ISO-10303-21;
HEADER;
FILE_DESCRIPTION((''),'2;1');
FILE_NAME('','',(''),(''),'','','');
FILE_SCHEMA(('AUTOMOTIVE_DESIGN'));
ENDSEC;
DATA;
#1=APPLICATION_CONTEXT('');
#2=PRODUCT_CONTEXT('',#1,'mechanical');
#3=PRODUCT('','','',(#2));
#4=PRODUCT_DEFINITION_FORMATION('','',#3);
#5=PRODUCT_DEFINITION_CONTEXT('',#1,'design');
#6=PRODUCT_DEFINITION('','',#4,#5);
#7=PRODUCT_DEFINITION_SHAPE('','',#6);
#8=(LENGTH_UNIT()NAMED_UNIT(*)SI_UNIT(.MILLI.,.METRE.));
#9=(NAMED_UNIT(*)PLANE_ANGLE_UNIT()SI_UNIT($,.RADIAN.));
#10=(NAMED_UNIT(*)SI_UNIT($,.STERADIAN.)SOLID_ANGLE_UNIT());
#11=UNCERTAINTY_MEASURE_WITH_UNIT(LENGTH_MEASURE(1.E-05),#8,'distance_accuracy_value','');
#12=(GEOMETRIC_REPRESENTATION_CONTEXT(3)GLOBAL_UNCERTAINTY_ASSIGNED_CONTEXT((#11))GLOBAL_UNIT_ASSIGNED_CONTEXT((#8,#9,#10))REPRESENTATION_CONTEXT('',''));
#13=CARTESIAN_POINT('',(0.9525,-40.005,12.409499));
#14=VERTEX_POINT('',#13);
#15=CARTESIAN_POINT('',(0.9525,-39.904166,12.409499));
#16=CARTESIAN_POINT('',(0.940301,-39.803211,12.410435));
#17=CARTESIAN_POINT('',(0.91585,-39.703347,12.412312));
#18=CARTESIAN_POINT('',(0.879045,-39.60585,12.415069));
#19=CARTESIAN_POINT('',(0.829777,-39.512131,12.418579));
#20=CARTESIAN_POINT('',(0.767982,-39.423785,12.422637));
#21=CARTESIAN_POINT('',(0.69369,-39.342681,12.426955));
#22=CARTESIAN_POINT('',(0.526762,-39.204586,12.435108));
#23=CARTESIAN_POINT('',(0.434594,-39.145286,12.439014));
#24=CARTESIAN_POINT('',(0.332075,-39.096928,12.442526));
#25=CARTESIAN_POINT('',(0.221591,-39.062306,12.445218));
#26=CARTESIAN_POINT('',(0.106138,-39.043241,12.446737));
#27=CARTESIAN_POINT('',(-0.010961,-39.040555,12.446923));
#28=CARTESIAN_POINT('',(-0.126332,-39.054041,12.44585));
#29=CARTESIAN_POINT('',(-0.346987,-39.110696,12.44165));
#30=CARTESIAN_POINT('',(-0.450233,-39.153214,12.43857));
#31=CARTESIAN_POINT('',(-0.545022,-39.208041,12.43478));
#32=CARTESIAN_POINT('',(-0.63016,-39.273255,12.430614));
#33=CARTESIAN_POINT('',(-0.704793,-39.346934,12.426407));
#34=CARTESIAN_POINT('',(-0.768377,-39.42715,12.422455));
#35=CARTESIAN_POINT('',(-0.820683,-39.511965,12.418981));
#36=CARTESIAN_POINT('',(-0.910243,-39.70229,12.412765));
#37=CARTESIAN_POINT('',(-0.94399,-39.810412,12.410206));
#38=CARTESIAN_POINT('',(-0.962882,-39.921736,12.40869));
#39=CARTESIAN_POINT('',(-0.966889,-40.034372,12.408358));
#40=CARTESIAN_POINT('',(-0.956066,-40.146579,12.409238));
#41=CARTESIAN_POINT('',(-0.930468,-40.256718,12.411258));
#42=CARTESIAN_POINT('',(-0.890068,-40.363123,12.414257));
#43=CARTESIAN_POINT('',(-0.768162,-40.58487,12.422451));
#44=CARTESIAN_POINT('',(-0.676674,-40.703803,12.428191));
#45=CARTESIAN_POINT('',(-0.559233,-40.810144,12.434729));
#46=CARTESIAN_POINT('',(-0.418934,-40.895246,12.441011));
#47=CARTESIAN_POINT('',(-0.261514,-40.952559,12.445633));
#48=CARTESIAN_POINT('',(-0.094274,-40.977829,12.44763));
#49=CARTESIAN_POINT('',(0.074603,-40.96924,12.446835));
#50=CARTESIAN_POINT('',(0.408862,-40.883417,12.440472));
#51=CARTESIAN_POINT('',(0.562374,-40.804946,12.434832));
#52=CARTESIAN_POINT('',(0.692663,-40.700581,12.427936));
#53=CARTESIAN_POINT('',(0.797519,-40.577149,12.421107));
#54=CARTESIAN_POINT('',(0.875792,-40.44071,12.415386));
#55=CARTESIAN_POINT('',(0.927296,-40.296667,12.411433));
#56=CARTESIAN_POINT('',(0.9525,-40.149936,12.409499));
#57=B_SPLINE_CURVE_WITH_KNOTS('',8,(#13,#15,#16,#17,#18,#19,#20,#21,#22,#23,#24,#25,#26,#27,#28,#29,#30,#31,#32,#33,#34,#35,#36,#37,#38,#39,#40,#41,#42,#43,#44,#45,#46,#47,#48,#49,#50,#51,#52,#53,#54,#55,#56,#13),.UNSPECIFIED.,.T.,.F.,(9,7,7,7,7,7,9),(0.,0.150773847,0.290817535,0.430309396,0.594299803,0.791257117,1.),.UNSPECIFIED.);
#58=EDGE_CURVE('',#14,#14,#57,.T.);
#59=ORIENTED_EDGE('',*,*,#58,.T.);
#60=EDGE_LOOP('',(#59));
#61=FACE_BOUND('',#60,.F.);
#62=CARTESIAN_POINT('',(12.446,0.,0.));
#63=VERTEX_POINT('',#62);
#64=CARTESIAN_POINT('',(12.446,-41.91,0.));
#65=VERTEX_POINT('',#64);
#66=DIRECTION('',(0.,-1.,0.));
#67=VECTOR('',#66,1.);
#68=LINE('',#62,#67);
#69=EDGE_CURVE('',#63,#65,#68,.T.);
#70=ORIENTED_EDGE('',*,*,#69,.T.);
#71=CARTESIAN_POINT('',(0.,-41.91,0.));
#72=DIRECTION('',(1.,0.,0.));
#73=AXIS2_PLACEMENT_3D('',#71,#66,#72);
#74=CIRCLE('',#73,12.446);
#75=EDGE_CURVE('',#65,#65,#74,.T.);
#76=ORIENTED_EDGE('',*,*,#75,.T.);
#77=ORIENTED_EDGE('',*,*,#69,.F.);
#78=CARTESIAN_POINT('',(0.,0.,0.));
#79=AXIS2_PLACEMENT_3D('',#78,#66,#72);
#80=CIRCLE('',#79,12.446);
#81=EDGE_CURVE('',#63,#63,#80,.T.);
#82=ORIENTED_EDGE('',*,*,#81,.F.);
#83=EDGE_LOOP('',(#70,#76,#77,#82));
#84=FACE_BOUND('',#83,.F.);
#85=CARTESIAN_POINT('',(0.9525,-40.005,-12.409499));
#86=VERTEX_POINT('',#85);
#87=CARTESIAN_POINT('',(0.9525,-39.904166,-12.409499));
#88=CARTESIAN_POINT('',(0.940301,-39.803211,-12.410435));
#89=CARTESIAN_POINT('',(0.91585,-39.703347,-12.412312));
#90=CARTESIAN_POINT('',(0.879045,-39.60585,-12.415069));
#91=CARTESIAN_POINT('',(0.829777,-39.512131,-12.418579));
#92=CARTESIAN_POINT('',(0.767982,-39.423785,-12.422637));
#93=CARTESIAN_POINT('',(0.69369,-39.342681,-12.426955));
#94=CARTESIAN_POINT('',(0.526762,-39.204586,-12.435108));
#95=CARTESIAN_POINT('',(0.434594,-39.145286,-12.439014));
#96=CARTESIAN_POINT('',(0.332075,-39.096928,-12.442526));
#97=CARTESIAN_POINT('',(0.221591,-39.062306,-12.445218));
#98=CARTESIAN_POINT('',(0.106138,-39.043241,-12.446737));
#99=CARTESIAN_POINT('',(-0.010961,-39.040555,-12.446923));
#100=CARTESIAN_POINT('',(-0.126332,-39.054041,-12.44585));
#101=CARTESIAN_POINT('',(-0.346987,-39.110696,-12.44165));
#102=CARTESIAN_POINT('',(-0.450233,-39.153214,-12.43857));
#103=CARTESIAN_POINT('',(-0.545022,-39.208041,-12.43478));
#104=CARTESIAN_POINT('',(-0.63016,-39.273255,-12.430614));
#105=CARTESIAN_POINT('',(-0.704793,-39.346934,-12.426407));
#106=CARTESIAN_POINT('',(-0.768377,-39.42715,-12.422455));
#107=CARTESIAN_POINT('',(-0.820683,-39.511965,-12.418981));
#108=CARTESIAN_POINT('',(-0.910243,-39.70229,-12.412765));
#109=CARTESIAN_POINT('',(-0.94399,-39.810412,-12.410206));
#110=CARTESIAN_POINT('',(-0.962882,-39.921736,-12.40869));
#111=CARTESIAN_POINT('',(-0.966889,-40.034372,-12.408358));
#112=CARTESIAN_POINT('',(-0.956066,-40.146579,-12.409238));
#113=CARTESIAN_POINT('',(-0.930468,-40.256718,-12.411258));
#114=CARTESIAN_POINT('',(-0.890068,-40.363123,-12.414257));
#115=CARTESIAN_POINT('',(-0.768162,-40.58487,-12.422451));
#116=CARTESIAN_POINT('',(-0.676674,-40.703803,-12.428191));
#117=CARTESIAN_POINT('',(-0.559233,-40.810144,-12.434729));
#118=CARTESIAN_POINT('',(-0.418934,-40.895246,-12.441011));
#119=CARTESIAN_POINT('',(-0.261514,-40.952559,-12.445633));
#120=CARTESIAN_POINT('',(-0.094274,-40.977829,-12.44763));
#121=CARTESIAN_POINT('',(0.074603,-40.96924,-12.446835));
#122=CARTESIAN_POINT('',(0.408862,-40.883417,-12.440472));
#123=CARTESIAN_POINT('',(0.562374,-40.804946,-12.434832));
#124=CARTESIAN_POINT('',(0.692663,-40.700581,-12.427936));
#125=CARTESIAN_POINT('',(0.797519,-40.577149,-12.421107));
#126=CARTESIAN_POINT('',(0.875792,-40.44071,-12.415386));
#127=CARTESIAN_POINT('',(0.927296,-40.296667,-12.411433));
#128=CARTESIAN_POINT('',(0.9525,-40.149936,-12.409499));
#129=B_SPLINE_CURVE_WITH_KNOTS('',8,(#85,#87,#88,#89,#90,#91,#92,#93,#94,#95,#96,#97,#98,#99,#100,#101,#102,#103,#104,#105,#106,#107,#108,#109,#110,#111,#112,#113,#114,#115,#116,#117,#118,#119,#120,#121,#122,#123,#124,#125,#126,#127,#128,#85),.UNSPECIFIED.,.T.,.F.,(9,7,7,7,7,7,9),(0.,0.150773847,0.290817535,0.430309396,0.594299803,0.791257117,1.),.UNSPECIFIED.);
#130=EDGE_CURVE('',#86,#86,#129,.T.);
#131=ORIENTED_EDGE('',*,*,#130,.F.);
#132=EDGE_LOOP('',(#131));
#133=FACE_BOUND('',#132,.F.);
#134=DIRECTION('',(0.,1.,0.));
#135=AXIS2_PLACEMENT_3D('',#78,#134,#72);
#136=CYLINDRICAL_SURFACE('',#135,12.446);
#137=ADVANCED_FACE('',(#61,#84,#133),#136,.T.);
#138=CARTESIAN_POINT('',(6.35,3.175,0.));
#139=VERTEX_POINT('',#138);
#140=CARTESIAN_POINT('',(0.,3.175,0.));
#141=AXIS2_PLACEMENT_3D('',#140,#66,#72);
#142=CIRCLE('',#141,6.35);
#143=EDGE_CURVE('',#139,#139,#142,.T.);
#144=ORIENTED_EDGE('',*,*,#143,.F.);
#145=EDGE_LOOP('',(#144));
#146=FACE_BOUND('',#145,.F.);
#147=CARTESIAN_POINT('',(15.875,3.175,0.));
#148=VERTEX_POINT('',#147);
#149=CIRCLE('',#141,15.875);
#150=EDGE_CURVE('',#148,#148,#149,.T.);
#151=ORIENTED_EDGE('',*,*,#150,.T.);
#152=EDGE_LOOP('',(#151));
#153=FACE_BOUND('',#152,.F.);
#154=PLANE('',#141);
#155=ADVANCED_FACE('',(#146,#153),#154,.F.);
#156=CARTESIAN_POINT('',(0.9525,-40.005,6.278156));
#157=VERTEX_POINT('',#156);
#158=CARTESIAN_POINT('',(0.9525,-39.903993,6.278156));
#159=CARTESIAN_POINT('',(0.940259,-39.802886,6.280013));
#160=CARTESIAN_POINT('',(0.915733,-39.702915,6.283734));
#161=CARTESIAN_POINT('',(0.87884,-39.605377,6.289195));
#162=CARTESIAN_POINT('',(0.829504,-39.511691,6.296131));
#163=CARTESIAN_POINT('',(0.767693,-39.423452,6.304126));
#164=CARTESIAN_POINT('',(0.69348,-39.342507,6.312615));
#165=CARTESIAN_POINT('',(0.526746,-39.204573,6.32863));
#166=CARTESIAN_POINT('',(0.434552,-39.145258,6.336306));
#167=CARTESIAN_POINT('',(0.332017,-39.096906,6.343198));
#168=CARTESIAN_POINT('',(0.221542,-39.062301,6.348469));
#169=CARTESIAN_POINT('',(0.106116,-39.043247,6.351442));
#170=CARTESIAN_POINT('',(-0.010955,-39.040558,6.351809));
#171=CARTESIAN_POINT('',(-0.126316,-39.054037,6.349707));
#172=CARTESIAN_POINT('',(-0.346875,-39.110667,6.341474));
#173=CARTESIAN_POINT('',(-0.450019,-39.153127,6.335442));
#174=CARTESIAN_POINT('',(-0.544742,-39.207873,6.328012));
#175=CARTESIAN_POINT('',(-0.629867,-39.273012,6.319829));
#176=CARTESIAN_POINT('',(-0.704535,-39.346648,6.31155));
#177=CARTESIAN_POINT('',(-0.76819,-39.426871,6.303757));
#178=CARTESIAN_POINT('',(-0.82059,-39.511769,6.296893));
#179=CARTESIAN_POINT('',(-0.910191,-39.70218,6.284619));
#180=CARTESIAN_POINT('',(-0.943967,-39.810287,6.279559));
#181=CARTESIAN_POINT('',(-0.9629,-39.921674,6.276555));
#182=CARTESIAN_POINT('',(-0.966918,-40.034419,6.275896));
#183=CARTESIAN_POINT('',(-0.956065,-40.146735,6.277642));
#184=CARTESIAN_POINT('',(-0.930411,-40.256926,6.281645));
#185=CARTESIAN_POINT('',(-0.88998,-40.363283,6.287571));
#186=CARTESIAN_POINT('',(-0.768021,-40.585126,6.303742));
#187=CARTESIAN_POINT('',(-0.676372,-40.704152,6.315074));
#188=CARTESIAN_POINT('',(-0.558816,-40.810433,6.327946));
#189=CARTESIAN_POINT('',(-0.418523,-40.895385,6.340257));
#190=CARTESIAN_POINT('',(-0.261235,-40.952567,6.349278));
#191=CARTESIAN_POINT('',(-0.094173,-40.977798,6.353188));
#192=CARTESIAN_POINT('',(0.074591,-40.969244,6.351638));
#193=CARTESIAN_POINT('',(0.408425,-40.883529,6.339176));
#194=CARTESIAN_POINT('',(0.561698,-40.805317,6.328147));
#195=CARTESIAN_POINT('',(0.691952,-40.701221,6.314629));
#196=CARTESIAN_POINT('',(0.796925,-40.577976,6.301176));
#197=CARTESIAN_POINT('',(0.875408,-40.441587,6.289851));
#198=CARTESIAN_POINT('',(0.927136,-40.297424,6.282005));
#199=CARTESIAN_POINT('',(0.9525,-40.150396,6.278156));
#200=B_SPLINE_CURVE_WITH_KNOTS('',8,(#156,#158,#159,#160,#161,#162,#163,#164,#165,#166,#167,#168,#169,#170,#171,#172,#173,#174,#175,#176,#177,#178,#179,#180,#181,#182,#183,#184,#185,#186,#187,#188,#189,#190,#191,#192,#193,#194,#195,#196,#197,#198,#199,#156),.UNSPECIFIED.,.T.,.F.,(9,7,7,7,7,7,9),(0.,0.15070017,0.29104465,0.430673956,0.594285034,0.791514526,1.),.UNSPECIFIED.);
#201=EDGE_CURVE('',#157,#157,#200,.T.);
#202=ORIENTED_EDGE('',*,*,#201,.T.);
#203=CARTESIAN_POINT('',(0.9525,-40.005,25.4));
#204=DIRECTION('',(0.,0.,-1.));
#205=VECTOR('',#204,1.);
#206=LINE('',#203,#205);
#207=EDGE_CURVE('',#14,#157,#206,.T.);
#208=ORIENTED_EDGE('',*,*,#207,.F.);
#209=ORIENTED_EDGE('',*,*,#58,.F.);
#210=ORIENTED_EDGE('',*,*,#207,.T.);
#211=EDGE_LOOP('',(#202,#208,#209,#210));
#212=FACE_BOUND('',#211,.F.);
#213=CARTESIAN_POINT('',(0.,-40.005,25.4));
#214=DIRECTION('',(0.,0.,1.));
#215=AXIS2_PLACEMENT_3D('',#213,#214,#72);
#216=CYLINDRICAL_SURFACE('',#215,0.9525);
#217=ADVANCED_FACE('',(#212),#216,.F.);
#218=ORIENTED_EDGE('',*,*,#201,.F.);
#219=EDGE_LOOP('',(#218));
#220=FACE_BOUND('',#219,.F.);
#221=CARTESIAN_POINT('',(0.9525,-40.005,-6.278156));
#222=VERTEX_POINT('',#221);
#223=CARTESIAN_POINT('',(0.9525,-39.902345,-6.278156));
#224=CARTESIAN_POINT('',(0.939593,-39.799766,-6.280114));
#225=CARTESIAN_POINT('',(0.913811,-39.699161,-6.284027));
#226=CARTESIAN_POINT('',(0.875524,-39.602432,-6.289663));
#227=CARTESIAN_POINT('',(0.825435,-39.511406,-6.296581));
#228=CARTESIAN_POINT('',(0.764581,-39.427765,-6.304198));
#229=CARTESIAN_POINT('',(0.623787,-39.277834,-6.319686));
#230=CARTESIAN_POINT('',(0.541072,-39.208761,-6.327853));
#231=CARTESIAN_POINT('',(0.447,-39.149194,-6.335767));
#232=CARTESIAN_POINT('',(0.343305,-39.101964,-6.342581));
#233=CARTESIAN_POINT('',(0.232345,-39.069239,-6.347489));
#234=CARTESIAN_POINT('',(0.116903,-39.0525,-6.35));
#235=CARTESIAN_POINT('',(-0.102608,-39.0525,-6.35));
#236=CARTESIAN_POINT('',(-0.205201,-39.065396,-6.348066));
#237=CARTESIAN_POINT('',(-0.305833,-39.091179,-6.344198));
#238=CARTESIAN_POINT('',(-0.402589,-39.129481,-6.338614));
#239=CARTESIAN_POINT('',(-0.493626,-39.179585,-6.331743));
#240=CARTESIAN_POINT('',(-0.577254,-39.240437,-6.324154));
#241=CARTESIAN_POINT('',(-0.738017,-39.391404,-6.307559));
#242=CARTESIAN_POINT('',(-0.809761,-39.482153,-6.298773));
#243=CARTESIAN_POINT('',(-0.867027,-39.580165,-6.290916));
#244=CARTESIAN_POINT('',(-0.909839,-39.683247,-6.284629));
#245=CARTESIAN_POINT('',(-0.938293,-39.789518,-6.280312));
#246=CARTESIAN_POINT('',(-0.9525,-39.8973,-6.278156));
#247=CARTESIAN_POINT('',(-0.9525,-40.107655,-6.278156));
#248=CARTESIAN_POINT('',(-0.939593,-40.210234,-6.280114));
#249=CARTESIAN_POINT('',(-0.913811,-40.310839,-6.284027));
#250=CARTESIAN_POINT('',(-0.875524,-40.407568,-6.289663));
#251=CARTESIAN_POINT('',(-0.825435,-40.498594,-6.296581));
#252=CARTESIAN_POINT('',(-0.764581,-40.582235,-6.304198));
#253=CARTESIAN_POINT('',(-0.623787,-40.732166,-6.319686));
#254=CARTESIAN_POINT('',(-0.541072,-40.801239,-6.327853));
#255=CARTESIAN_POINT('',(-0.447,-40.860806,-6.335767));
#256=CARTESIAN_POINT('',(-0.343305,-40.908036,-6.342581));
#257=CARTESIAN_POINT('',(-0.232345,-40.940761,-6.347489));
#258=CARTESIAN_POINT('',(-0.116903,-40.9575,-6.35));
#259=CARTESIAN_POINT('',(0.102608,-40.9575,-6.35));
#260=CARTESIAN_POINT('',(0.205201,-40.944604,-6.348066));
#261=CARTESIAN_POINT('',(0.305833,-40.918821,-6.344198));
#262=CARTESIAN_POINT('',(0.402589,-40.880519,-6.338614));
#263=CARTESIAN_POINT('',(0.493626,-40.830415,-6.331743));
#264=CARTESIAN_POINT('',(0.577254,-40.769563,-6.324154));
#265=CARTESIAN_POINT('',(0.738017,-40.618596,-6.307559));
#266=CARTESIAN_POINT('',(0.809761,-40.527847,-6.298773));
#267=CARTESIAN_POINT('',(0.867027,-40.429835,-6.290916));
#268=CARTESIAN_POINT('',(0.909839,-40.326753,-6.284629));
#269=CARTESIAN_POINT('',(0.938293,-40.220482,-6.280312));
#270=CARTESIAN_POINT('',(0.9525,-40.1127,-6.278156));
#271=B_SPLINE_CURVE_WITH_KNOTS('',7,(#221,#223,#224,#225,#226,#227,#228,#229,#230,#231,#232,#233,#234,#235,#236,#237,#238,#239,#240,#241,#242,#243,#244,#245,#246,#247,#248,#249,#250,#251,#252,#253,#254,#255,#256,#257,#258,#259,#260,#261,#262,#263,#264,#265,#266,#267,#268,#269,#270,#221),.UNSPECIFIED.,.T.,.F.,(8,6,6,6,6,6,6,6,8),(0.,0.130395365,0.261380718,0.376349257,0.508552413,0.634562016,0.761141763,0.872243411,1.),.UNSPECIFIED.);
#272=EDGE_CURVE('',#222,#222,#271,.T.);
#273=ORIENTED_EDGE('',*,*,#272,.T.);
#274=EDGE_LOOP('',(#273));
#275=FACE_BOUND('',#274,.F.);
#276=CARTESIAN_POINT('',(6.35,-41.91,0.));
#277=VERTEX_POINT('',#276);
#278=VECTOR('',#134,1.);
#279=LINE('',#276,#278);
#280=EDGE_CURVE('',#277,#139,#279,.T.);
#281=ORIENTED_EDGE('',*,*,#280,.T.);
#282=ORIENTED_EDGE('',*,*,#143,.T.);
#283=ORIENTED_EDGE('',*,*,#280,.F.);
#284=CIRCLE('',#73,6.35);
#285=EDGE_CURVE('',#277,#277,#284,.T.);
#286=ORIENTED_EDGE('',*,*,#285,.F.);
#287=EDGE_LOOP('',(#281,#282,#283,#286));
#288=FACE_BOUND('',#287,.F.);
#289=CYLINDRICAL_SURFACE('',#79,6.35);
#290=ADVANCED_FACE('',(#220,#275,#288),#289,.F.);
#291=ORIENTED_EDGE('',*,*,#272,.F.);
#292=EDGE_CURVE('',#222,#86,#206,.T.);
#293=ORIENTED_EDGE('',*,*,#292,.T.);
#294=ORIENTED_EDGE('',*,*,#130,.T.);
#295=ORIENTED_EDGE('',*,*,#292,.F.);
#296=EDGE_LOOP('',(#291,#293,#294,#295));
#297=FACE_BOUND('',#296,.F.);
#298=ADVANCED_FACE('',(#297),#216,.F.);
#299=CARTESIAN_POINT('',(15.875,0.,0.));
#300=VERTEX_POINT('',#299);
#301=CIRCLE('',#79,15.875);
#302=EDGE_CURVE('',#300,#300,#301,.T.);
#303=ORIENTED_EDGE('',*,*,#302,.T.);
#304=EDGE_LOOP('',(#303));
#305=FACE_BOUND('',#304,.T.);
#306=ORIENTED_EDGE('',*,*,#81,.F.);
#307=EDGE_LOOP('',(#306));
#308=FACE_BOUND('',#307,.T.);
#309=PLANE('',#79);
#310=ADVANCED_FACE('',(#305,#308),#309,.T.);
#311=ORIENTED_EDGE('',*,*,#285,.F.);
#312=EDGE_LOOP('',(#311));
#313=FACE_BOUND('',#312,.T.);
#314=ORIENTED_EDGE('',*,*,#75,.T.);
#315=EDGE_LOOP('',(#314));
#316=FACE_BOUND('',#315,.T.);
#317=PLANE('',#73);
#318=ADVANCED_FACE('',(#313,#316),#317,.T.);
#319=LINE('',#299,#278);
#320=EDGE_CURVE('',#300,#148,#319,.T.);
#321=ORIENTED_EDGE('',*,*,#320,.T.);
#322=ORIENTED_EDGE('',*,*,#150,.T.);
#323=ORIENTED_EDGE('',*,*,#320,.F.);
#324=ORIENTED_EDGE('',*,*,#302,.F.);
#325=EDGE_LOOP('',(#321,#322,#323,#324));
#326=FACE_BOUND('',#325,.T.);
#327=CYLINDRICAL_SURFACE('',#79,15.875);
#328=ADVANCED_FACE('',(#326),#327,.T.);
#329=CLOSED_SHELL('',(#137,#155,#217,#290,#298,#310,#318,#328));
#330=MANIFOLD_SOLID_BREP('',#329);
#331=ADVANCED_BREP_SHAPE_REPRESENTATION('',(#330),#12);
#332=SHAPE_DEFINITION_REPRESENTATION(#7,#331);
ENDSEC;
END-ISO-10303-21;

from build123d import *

# Parameters (mm, degrees)
F0_R     = 12.446
F0_R_2   = 6.35
F1_DEPTH = 41.91
F2_R     = 15.875
F2_R_2   = 6.35
F3_DEPTH = 3.175
F5_R     = 0.9525
F6_DEPTH = 41.276


with BuildPart() as f1:
    # F0 (on Front) → F1 (new body)
    with BuildSketch(Plane.XZ):
        Circle(F0_R)
        Circle(F0_R_2, mode=Mode.SUBTRACT)
    extrude(amount=F1_DEPTH)

    # F2 (on Front) → F3 (join)
    with BuildSketch(Plane.XZ):
        Circle(F2_R)
        Circle(F2_R_2, mode=Mode.SUBTRACT)
    extrude(amount=-F3_DEPTH)

    # F5 (on offset) → F6 (cut, through all)
    with BuildSketch(Plane.XY.offset(25.4)):
        with Locations((0, -40.005)):
            Circle(F5_R)
    extrude(amount=-F6_DEPTH, mode=Mode.SUBTRACT)


solid = f1.part
